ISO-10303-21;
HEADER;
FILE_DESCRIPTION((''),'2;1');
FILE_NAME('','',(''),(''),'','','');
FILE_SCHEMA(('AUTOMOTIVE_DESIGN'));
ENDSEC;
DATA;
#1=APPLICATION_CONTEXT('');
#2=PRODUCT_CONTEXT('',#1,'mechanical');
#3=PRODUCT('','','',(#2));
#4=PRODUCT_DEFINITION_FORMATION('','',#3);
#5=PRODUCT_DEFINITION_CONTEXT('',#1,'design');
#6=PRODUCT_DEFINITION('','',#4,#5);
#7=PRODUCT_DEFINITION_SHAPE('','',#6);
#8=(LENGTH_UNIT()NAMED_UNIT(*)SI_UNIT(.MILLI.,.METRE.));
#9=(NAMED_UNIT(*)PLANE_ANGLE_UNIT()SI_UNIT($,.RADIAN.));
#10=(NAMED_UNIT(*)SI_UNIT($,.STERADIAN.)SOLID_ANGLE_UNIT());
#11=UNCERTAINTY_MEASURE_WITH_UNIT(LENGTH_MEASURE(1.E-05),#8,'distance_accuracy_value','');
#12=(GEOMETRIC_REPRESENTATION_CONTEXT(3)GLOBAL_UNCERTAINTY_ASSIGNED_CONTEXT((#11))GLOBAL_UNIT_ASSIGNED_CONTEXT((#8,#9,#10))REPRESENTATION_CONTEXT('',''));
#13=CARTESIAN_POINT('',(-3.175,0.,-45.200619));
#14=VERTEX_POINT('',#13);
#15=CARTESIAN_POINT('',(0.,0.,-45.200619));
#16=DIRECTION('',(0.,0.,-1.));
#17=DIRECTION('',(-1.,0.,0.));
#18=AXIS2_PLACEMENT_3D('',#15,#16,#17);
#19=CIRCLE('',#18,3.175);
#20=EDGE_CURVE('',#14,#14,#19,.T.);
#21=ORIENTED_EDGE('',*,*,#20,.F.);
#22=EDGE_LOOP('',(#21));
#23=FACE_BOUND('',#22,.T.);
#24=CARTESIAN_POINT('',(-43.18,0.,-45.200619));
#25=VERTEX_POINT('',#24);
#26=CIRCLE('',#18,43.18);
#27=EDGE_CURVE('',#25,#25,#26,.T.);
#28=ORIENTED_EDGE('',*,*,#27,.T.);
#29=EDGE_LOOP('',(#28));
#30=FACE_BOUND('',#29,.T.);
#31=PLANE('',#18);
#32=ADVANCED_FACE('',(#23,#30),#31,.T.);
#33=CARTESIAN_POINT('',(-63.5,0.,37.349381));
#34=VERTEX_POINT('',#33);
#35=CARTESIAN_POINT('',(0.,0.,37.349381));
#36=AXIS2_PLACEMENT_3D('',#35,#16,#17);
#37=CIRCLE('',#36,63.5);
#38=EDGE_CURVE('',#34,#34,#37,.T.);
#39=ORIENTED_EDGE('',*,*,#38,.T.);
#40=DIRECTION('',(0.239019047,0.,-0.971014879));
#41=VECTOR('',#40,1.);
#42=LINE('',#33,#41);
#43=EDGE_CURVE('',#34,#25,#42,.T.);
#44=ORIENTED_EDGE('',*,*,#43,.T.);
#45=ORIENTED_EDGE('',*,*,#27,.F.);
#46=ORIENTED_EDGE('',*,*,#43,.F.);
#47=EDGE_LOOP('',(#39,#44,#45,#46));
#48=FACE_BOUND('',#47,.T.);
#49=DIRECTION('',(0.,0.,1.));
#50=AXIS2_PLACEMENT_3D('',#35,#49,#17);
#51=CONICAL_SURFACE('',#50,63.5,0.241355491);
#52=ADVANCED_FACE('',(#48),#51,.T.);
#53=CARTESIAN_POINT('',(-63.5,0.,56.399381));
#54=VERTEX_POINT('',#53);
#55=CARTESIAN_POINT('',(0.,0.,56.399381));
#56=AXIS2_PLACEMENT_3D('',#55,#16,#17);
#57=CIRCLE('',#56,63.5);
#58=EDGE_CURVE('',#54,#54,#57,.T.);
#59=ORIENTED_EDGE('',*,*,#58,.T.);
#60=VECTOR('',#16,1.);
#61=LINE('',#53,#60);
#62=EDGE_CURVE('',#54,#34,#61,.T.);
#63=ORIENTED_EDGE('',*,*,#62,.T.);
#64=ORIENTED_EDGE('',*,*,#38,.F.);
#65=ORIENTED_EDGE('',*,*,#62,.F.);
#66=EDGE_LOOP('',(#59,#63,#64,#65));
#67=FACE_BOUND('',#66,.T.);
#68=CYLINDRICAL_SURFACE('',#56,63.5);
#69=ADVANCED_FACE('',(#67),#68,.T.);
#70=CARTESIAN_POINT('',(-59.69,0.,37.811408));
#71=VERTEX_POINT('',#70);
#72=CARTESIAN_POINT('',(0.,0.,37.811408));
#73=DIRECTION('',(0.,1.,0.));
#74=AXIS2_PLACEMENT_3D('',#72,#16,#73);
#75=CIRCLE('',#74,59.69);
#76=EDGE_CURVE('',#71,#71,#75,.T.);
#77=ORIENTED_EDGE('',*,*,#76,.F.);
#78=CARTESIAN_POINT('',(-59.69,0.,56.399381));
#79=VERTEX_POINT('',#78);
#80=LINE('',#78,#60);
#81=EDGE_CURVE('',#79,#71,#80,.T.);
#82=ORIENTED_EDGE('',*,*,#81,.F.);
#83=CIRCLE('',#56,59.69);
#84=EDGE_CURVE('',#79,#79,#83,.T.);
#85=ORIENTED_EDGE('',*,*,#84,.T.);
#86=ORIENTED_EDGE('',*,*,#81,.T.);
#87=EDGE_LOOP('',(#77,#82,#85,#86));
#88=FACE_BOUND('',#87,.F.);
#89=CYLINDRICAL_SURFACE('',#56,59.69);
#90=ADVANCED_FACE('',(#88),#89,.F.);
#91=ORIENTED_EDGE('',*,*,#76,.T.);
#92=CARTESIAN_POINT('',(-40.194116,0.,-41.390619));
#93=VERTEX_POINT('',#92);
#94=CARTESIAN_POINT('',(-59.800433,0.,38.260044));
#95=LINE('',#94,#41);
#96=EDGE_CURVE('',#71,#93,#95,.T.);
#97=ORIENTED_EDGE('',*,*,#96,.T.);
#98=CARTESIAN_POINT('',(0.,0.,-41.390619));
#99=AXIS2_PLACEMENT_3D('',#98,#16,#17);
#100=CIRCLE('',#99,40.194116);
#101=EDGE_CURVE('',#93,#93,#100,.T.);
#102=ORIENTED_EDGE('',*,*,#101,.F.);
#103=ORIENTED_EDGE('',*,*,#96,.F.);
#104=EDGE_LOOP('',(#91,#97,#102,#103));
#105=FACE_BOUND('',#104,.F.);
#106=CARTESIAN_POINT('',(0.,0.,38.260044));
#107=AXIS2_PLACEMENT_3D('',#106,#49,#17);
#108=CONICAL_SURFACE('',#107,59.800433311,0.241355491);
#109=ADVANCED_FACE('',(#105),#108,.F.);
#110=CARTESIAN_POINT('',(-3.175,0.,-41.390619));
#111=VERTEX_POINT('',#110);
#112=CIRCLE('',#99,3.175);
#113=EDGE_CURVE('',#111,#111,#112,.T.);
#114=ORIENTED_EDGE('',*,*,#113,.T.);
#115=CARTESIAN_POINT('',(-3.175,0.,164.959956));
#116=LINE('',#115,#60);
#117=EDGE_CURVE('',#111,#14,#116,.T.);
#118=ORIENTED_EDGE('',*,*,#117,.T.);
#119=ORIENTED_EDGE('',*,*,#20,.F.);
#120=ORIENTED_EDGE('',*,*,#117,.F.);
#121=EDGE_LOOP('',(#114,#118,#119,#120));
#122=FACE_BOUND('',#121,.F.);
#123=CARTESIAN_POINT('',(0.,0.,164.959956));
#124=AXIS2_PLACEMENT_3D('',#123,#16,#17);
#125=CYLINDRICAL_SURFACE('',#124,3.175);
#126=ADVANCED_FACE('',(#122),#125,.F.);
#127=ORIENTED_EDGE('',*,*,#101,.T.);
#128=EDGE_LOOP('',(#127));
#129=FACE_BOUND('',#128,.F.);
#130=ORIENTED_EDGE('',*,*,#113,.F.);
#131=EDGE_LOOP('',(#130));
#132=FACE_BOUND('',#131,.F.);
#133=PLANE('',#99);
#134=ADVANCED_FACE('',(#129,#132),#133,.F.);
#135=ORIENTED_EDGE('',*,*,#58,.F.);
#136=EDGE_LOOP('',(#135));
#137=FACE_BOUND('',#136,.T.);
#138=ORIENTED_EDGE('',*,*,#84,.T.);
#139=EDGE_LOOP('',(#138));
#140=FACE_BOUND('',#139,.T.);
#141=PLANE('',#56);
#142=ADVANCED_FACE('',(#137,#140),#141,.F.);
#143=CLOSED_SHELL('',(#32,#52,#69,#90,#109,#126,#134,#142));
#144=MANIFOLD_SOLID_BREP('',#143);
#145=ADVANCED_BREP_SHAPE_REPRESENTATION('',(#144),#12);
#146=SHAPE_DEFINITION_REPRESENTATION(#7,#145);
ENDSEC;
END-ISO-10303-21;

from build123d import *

# Parameters (mm, degrees)
F2_T = -3.81
F4_D = 6.35


with BuildPart() as f1:
    # F0 (on Front) → F1 (revolve)
    with BuildSketch(Plane.XZ):
        Polygon((0, -45.200619), (0, 56.399381), (-63.5, 56.399381), (-63.5, 37.349381), (-43.18, -45.200619), align=None)
    revolve(axis=Axis((0, 0, 6.864863), (0, 0, -1)))

    # F2
    f2_openings = [f1.faces().sort_by_distance(p)[0] for p in [
        (0, 0, 56.399381),
    ]]
    offset(amount=F2_T, openings=f2_openings)

    # F4 (through all)
    with Locations(Plane.XY.offset(-41.390619)):
        with Locations((0, 0)):
            Hole(F4_D / 2)


solid = f1.part
